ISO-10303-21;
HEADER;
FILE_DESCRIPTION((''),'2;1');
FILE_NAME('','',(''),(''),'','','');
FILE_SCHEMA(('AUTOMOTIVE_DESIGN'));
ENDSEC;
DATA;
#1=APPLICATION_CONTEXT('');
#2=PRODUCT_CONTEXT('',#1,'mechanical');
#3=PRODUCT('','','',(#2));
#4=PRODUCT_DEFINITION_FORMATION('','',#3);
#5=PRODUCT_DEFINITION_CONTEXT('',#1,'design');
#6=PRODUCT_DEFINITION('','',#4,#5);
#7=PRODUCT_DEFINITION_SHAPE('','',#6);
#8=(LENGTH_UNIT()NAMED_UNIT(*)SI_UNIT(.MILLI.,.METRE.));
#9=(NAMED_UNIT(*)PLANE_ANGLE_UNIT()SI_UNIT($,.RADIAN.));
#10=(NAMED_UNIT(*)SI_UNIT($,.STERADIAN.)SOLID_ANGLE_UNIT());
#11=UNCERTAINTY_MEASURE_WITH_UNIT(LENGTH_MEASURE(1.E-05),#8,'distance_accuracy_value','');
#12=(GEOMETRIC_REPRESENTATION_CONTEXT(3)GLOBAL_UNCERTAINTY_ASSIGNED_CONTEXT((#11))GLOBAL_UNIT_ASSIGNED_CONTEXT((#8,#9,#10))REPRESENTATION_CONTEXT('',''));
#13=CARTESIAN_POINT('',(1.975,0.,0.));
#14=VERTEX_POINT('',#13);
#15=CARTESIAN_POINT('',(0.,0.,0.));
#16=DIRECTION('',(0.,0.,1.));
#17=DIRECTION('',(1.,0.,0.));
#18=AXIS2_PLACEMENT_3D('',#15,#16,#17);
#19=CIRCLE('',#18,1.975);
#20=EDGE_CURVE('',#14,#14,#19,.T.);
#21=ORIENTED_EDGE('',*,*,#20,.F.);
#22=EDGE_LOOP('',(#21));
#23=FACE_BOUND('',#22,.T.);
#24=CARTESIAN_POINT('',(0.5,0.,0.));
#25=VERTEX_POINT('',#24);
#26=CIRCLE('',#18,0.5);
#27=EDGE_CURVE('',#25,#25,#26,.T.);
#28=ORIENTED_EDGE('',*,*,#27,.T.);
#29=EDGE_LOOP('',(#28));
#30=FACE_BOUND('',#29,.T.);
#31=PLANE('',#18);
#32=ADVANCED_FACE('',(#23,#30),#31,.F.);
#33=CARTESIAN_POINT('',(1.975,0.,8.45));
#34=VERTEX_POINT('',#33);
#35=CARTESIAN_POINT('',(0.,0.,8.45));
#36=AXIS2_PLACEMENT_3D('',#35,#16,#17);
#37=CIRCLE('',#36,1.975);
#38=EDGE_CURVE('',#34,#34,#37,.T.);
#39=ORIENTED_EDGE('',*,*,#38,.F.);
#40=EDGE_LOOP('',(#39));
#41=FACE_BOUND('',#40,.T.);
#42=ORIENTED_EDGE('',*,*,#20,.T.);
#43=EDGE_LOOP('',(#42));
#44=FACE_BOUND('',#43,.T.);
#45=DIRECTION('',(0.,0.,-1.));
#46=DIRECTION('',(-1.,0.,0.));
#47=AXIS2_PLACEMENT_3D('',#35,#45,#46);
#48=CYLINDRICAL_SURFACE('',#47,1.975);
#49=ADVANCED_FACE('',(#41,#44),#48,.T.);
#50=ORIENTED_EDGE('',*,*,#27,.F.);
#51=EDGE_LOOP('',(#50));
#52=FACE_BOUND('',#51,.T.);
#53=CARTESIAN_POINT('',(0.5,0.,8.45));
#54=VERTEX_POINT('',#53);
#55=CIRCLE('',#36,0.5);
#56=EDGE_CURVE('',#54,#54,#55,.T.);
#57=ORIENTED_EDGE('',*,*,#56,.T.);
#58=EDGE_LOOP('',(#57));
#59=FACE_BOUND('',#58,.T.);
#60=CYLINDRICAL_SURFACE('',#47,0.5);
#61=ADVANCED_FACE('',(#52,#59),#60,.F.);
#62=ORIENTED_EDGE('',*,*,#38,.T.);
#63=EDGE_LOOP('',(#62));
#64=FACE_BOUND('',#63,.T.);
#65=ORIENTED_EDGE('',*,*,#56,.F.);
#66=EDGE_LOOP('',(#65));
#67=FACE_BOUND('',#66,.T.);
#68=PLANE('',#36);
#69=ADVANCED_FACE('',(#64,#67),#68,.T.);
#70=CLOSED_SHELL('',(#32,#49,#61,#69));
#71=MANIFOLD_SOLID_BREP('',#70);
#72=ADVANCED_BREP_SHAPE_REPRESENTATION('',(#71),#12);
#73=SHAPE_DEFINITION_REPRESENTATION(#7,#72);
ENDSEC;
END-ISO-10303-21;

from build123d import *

# Parameters (mm, degrees)
SKETCH1_R           = 1.975
SKETCH1_R_2         = 0.5
BOSS_EXTRUDE1_DEPTH = 8.45


with BuildPart() as part:
    # Sketch1 → Boss-Extrude1 (new body)
    with BuildSketch(Plane.XY):
        Circle(SKETCH1_R)
        Circle(SKETCH1_R_2, mode=Mode.SUBTRACT)
    extrude(amount=BOSS_EXTRUDE1_DEPTH)


solid = part.part
